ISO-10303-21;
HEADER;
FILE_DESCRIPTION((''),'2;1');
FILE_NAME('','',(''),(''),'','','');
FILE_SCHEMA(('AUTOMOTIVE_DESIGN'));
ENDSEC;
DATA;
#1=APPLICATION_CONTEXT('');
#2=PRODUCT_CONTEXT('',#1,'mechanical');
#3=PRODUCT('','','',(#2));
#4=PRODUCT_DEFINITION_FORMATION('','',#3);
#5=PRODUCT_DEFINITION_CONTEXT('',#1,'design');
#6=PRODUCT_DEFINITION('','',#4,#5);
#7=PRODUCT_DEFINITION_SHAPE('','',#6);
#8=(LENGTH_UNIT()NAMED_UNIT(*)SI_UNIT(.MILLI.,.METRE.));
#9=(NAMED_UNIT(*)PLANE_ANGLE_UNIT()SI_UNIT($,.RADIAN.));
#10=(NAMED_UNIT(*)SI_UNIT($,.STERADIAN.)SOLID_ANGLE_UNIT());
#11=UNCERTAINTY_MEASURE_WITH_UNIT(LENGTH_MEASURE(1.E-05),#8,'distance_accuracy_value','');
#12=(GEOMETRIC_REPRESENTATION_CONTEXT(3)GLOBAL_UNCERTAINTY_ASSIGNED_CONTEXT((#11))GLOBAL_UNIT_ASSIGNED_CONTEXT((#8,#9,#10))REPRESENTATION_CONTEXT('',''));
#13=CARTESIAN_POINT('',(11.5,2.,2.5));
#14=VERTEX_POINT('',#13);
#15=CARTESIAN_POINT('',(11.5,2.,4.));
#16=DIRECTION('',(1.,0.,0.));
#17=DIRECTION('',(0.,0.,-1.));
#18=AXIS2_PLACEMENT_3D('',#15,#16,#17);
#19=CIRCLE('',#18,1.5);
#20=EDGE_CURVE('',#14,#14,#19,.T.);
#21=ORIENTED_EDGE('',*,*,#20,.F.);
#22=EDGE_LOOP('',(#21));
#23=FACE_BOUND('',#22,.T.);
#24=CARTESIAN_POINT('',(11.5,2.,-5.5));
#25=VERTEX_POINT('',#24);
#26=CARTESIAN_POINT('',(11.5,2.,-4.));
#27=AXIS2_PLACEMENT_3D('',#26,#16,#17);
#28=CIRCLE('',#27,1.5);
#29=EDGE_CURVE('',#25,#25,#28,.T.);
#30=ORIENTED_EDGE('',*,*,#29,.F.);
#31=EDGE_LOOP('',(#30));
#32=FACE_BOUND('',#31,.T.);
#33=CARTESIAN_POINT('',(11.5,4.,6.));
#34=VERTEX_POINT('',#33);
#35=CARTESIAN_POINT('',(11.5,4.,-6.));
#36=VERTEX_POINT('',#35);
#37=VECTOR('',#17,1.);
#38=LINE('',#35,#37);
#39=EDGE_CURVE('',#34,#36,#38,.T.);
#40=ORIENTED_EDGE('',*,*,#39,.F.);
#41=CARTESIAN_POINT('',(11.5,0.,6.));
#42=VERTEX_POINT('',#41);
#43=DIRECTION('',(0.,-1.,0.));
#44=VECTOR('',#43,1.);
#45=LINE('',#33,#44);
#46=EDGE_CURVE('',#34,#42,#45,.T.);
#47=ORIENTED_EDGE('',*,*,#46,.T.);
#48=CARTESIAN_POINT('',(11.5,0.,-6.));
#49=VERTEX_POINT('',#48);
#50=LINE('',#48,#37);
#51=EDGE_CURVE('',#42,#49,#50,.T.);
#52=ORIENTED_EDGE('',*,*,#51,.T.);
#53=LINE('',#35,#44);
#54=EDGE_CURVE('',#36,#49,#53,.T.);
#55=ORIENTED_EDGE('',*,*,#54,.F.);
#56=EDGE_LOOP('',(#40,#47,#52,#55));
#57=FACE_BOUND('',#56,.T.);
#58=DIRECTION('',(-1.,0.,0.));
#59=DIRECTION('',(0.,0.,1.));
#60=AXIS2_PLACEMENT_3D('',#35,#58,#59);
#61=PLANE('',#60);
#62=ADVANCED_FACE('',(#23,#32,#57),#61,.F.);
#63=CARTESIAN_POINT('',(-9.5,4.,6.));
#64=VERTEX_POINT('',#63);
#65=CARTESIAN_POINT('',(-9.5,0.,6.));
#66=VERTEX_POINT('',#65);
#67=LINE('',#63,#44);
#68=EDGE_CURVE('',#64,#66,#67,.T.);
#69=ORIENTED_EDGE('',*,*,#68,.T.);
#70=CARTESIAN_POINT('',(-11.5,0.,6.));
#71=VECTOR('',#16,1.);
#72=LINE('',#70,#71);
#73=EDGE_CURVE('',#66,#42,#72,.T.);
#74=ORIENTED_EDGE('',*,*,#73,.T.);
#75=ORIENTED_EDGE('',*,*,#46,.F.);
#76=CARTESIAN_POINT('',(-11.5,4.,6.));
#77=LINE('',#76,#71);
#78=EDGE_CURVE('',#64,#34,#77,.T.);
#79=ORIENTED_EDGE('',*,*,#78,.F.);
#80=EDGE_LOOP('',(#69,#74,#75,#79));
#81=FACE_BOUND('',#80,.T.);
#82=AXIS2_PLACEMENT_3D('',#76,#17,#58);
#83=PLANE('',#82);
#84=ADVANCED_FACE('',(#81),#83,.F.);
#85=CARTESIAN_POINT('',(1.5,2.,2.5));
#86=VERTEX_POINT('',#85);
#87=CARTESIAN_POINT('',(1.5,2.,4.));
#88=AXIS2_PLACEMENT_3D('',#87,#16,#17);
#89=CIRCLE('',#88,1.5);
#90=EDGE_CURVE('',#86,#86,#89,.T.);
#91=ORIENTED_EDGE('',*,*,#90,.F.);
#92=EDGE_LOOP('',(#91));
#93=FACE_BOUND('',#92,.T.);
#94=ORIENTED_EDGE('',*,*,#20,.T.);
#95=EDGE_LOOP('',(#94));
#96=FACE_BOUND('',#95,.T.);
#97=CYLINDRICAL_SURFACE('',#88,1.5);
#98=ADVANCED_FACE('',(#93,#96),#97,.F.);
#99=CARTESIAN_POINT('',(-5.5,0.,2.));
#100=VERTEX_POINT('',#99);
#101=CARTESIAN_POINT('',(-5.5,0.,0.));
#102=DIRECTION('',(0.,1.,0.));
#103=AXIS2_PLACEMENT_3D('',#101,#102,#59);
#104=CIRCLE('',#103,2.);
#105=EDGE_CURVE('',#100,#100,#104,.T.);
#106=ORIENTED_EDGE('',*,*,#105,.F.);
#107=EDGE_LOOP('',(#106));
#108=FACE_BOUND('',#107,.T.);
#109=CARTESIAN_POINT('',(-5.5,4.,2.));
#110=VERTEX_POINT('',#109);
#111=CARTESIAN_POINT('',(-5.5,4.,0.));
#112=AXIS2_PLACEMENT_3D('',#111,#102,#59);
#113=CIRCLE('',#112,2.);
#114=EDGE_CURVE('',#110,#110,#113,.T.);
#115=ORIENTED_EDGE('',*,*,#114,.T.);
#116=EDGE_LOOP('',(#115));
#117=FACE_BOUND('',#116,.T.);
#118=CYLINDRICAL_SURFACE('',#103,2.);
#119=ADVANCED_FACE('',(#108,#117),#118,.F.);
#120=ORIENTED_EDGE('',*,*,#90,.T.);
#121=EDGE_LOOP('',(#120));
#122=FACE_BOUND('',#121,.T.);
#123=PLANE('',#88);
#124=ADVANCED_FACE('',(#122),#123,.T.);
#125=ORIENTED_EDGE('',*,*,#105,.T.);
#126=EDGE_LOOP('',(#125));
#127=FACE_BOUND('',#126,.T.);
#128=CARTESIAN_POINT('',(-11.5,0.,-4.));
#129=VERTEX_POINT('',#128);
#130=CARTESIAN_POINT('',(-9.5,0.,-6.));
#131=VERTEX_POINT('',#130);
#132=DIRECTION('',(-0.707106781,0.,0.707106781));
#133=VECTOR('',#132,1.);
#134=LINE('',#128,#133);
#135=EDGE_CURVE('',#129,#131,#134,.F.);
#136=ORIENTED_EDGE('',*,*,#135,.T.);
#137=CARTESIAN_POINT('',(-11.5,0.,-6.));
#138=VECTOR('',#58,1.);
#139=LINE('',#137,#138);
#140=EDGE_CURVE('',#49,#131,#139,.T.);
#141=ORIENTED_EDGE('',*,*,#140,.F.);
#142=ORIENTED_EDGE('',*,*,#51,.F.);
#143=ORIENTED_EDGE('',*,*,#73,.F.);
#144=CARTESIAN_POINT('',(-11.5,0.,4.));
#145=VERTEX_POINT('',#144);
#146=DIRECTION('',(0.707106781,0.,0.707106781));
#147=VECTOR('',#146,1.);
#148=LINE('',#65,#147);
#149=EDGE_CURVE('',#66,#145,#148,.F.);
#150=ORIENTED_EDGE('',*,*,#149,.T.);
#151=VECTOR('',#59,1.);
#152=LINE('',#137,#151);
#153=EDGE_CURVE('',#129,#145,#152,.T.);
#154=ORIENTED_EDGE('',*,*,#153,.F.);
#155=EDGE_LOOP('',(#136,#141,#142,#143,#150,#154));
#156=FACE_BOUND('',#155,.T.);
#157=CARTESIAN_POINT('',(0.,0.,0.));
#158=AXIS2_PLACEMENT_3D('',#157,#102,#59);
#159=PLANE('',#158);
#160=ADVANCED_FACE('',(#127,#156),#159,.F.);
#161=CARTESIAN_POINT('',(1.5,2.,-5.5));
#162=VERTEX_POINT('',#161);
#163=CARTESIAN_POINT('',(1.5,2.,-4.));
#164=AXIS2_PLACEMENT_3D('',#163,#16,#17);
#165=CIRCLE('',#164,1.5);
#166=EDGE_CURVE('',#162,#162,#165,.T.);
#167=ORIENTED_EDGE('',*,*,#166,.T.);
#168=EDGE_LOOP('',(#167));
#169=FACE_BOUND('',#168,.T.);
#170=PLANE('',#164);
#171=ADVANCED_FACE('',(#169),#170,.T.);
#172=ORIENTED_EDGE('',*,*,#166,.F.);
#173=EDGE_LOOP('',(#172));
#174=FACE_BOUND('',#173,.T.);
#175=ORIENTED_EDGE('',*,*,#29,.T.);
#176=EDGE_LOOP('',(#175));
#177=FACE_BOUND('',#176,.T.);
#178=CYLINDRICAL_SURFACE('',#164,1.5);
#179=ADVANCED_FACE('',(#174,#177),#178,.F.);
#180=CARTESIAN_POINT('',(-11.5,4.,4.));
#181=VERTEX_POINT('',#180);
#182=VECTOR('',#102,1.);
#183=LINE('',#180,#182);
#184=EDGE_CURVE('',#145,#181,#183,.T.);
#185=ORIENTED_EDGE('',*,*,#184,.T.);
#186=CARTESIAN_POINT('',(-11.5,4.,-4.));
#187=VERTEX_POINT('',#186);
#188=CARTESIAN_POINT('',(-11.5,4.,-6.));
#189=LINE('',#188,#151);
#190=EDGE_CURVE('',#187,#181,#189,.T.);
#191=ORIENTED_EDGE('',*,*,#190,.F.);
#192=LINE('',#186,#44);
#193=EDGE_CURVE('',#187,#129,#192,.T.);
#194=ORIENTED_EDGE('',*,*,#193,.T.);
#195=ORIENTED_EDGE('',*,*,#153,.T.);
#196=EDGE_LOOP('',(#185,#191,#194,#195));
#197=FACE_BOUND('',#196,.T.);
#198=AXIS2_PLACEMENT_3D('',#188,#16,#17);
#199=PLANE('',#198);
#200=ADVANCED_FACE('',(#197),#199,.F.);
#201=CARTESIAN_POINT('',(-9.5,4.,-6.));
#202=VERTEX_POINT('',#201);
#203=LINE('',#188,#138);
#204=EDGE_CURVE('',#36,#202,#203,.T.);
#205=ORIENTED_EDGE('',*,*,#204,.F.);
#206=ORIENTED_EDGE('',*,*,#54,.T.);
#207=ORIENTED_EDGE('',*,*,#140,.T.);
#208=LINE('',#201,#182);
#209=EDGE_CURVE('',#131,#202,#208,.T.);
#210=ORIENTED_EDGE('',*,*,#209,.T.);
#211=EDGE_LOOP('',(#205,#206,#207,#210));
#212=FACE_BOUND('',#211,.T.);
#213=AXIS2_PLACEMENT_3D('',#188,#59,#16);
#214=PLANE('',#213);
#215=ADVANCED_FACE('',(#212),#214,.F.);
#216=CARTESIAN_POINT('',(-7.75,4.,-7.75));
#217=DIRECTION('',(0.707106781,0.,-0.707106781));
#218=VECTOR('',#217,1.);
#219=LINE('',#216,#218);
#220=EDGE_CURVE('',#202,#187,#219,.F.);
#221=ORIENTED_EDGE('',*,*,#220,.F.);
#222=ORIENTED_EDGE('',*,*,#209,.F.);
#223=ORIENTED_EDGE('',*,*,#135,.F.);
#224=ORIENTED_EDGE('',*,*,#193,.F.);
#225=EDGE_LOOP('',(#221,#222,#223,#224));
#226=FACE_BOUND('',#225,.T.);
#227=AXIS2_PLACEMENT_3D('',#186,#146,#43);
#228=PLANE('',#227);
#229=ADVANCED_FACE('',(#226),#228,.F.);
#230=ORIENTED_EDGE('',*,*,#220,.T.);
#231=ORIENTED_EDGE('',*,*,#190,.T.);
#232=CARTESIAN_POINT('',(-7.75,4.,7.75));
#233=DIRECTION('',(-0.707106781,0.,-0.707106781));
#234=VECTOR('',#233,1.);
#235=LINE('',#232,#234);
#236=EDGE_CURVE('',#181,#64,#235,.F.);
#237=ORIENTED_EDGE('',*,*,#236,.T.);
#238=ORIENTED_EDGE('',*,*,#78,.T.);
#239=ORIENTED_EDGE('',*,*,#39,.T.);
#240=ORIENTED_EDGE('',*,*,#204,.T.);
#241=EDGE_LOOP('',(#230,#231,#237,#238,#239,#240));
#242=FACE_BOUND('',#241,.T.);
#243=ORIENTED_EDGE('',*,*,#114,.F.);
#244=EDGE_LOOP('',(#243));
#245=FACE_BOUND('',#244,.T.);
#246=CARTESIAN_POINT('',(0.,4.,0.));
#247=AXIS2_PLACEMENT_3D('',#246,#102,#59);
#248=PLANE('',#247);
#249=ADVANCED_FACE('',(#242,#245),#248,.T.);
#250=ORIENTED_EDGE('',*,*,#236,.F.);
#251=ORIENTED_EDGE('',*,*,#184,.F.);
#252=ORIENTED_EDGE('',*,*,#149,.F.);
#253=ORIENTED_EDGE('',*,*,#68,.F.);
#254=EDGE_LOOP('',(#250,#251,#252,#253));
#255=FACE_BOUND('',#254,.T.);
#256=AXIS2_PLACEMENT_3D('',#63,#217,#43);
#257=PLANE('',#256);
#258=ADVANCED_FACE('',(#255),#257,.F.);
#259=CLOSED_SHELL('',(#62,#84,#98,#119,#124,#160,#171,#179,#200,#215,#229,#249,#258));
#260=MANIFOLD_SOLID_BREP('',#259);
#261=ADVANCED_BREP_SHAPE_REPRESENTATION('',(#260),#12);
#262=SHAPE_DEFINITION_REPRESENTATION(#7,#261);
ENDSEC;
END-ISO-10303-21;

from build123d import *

# Parameters (mm, degrees)
SKETCH1_W           = 23
SKETCH1_H           = 12
BOSS_EXTRUDE1_DEPTH = 4
SKETCH2_R           = 1.5
CUT_EXTRUDE1_DEPTH  = 10
SKETCH3_R           = 2
CUT_EXTRUDE2_DEPTH  = 14.57387196
CHAMFER1_SIZE       = 2


with BuildPart() as part:
    # Sketch1 → Boss-Extrude1 (new body)
    with BuildSketch(Plane(origin=(0, 0, 0), x_dir=(1, 0, 0), z_dir=(0, 1, 0))):
        Rectangle(SKETCH1_W, SKETCH1_H)
    extrude(amount=BOSS_EXTRUDE1_DEPTH)

    # Sketch2 → Cut-Extrude1 (cut)
    with BuildSketch(Plane(origin=(11.5, 0, 0), x_dir=(0, 0, -1), z_dir=(1, 0, 0))):
        with Locations((-4, 2)):
            Circle(SKETCH2_R)
        with Locations((4, 2)):
            Circle(SKETCH2_R)
    extrude(amount=-CUT_EXTRUDE1_DEPTH, mode=Mode.SUBTRACT)

    # Sketch3 → Cut-Extrude2 (cut, through all)
    with BuildSketch(Plane(origin=(0, 4, 0), x_dir=(1, 0, 0), z_dir=(0, 1, 0))):
        with Locations(Location((-5.5, 0, 0), (0, 0, 270))):
            Circle(SKETCH3_R)
    extrude(amount=-CUT_EXTRUDE2_DEPTH, mode=Mode.SUBTRACT)

    # Chamfer1
    chamfer1_edges = [part.edges().sort_by_distance(p)[0] for p in [
        (-11.5, 2, 6),
        (-11.5, 2, -6),
    ]]
    chamfer(chamfer1_edges, length=CHAMFER1_SIZE)


solid = part.part
